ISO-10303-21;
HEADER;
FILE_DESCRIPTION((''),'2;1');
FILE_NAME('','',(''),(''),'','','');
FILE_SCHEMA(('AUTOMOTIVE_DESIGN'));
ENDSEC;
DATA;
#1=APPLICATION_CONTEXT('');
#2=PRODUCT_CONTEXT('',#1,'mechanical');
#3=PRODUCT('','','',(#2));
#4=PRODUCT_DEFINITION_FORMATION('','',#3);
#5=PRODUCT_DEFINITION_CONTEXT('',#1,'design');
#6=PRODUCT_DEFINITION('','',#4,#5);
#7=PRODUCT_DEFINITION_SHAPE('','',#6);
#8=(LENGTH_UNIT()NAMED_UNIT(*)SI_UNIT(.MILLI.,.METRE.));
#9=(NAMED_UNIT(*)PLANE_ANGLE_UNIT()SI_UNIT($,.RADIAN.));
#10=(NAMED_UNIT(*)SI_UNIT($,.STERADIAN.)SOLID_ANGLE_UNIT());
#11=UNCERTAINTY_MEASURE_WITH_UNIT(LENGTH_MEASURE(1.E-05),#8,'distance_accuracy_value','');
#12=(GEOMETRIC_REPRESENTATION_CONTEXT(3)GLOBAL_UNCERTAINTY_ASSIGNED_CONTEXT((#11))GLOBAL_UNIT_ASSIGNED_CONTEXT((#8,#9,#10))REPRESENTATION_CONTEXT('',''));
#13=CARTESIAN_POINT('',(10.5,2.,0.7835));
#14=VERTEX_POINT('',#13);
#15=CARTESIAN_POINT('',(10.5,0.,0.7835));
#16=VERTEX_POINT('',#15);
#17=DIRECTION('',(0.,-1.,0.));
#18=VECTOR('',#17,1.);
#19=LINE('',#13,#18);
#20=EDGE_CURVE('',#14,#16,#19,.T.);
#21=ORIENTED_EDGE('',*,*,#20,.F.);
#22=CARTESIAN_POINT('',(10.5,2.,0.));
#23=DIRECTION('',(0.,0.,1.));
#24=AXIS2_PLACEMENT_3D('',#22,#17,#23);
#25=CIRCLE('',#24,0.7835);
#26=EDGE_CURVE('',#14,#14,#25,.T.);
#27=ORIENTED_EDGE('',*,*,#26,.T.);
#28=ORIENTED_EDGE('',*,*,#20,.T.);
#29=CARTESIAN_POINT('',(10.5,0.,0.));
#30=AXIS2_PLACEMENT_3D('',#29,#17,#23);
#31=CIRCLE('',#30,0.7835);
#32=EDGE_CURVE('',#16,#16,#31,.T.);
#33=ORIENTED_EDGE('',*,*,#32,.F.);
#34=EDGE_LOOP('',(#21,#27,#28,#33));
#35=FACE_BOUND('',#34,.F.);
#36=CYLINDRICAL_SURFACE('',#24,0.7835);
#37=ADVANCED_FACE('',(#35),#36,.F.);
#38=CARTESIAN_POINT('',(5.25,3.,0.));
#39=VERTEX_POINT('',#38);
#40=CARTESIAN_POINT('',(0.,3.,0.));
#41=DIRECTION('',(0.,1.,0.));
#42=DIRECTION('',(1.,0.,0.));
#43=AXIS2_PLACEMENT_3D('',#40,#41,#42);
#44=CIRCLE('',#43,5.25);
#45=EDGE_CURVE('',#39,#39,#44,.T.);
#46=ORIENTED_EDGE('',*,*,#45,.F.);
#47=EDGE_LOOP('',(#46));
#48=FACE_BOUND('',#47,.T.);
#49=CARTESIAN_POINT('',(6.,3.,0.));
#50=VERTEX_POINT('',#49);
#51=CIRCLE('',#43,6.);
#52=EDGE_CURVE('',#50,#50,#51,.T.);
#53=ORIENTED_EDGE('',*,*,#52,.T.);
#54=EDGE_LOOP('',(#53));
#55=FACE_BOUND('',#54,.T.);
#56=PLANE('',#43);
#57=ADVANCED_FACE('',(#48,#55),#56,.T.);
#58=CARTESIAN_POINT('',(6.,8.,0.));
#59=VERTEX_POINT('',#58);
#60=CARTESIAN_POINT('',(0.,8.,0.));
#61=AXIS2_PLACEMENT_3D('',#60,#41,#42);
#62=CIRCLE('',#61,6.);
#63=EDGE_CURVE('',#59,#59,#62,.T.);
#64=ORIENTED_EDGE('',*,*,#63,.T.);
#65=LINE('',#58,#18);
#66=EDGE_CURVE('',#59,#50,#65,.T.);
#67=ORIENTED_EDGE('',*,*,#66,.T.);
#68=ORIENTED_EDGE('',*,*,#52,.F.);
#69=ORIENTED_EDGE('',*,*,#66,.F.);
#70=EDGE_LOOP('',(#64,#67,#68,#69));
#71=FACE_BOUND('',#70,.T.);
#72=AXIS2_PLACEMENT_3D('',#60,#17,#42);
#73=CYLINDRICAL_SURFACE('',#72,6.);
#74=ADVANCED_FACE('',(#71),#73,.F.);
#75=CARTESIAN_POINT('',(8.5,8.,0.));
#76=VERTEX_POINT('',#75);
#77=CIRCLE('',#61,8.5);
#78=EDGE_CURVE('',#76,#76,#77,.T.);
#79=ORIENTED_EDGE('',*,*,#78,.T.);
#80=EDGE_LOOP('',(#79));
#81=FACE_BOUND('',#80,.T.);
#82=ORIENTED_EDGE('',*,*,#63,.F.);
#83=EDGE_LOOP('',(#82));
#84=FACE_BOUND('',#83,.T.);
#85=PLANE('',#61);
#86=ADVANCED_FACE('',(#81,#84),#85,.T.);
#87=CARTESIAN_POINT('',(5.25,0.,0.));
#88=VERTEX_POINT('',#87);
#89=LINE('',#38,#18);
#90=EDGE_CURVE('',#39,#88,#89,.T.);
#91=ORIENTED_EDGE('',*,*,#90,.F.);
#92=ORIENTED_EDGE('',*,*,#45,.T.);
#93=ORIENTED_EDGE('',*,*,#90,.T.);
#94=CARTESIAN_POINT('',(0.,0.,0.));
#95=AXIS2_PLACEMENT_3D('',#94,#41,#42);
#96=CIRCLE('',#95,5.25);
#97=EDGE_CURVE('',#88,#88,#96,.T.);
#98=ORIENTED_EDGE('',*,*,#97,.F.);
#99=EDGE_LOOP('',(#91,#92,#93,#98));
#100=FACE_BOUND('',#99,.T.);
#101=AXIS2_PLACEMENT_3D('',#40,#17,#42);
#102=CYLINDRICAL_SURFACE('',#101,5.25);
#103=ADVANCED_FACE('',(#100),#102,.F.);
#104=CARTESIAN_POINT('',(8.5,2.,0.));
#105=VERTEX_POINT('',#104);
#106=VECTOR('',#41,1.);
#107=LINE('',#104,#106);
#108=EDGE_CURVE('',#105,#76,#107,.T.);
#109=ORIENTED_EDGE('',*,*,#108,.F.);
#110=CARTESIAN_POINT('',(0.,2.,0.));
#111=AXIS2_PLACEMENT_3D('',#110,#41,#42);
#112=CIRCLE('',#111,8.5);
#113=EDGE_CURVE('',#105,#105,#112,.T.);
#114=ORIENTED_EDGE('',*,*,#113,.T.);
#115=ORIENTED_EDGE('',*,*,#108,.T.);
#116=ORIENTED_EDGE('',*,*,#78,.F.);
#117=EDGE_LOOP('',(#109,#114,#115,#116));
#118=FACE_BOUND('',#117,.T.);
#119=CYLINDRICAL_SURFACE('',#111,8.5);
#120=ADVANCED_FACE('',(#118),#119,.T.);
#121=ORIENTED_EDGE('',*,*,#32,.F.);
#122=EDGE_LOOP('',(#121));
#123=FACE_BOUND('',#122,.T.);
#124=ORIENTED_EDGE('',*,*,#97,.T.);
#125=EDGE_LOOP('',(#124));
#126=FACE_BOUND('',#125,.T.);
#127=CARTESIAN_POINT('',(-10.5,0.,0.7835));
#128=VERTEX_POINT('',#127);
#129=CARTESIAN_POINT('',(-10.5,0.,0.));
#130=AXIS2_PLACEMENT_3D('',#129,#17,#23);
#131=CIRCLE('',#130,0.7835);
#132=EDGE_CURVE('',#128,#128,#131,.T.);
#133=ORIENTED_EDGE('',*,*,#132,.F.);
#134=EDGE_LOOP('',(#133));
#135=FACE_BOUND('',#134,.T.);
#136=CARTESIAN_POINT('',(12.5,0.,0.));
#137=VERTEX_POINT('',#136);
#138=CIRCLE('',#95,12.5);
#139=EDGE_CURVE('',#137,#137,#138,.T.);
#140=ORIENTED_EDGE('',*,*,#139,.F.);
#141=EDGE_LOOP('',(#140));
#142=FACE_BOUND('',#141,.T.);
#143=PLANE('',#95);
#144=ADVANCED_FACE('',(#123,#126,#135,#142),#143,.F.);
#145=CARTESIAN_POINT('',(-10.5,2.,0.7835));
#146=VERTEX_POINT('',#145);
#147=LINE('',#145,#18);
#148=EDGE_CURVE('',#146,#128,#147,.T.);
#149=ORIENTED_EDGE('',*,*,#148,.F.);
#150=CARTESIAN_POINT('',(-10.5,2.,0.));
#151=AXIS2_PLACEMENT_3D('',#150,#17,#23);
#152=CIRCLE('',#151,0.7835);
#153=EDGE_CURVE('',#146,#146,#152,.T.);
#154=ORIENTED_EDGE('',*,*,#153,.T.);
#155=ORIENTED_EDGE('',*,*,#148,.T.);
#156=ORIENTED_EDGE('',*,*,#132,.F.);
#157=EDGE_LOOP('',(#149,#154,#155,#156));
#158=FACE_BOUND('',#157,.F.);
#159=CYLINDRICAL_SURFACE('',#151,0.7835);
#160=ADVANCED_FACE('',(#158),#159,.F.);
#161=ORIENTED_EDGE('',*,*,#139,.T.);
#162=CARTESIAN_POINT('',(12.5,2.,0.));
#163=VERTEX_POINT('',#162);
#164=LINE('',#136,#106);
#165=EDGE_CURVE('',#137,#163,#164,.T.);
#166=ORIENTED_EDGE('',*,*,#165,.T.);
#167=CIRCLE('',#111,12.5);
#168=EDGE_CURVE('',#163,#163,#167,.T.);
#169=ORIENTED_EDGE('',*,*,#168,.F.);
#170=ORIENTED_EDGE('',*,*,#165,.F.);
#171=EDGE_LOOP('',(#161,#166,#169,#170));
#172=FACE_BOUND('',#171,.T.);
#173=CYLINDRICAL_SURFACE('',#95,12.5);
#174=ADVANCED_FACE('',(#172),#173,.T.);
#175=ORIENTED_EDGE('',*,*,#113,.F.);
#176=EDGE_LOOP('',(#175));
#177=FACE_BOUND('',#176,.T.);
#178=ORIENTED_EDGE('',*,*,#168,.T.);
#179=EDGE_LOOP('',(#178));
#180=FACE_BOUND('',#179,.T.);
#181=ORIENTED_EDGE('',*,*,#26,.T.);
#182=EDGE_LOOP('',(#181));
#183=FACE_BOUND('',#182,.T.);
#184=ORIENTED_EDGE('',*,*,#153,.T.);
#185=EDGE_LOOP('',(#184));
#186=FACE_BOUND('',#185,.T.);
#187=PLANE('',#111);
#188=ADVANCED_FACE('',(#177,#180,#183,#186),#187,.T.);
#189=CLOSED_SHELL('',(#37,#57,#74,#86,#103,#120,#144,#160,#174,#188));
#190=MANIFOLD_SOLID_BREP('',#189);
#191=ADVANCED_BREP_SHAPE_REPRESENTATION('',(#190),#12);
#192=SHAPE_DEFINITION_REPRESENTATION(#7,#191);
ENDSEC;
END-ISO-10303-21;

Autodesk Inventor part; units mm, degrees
ref_plane "YZ Plane" through (0, 0, 0) normal (1, 0, 0) x (0, 1, 0)
ref_plane "XZ Plane" through (0, 0, 0) normal (0, 1, 0) x (-1, 0, 0)
ref_plane "XY Plane" through (0, 0, 0) normal (0, 0, 1) x (1, 0, 0)
sketch "Sketch1" plane through (0, 0, 0) normal (0, 0, 1) x (1, 0, 0)
  line L0 (0, 0) -> (0, 8) construction
  line L1 (6, 0) -> (12.5, 0)
  line L2 (12.5, 0) -> (12.5, 2)
  line L3 (12.5, 2) -> (8.5, 2)
  line L4 (8.5, 2) -> (8.5, 8)
  line L5 (8.5, 8) -> (6, 8)
  line L6 (6, 8) -> (6, 3)
  line L7 (6, 3) -> (5.25, 3)
  line L8 (5.25, 3) -> (5.25, 0)
  line L9 (5.25, 0) -> (6, 0)
  line L10 (6, 0) -> (6, 0)
  line L11 (10.5, 2) -> (10.5, 0) construction
  line L12 (9.5, 2) -> (11.5, 2) construction
  line L13 (11.5, 2) -> (11.5, 0) construction
  line L14 (11.5, 0) -> (9.5, 0) construction
  line L15 (9.5, 0) -> (9.5, 2) construction
  line L16 (9.5, 2) -> (11.5, 0) construction
  line L17 (11.5, 2) -> (9.5, 0) construction
  line L18 (-2.5, 0) -> (15, 0) construction
  point P0 (10.5, 1)
  dimension "d1" = 2
  dimension "d3" = 2
  dimension "d4" = 12
  dimension "d5" = 2.5
  dimension "JointFixation_FixHole_Dia" = 21
  dimension "ShaftFixation_UpperLower_Height" = 8
  dimension "Bearing_OuterRing_Dia" = 10.5
  dimension "JointFixation_DiaOut" = 25
  dimension "d28" = 5
revolve "Revolution1" add sketch "Sketch1" angle 360 about axis through (0, 0, 0) along (0, 1, 0)
sketch "Sketch2" plane through (0, 2, 0) normal (0, 1, 0) x (1, 0, 0)
  circle A0 centre (0, 0) radius 8.5 projected
  circle A1 centre (0, 0) radius 12.5 projected
  line L0 (-9.1652, 8.5) -> (9.1652, 8.5)
  line L1 (-9.1652, -8.5) -> (9.1652, -8.5)
  circle A2 centre (0, 0) radius 10.5 construction
  line L2 (0, 0) -> (-10.5, 0) construction
  point P0 (0, 0)
  point P1 (10.5, 0)
  dimension "d14" = 21
  dimension "d17" = 360
  dimension "LowerArm_BearingFixFlansch_Width" = 17
hole "Hole1" at (-10.5, 2, 0) at (10.5, 2, 0) direction (0, -1, 0) diameter 1.567 end through all thread size "M2x0.4" class "6H" standard "ISO Metric profile"
equation "\"d14\" = JointFixation_FixHole_Dia"
properties part number "LowerArm_JointFixation" material "Aluminum 6061"
